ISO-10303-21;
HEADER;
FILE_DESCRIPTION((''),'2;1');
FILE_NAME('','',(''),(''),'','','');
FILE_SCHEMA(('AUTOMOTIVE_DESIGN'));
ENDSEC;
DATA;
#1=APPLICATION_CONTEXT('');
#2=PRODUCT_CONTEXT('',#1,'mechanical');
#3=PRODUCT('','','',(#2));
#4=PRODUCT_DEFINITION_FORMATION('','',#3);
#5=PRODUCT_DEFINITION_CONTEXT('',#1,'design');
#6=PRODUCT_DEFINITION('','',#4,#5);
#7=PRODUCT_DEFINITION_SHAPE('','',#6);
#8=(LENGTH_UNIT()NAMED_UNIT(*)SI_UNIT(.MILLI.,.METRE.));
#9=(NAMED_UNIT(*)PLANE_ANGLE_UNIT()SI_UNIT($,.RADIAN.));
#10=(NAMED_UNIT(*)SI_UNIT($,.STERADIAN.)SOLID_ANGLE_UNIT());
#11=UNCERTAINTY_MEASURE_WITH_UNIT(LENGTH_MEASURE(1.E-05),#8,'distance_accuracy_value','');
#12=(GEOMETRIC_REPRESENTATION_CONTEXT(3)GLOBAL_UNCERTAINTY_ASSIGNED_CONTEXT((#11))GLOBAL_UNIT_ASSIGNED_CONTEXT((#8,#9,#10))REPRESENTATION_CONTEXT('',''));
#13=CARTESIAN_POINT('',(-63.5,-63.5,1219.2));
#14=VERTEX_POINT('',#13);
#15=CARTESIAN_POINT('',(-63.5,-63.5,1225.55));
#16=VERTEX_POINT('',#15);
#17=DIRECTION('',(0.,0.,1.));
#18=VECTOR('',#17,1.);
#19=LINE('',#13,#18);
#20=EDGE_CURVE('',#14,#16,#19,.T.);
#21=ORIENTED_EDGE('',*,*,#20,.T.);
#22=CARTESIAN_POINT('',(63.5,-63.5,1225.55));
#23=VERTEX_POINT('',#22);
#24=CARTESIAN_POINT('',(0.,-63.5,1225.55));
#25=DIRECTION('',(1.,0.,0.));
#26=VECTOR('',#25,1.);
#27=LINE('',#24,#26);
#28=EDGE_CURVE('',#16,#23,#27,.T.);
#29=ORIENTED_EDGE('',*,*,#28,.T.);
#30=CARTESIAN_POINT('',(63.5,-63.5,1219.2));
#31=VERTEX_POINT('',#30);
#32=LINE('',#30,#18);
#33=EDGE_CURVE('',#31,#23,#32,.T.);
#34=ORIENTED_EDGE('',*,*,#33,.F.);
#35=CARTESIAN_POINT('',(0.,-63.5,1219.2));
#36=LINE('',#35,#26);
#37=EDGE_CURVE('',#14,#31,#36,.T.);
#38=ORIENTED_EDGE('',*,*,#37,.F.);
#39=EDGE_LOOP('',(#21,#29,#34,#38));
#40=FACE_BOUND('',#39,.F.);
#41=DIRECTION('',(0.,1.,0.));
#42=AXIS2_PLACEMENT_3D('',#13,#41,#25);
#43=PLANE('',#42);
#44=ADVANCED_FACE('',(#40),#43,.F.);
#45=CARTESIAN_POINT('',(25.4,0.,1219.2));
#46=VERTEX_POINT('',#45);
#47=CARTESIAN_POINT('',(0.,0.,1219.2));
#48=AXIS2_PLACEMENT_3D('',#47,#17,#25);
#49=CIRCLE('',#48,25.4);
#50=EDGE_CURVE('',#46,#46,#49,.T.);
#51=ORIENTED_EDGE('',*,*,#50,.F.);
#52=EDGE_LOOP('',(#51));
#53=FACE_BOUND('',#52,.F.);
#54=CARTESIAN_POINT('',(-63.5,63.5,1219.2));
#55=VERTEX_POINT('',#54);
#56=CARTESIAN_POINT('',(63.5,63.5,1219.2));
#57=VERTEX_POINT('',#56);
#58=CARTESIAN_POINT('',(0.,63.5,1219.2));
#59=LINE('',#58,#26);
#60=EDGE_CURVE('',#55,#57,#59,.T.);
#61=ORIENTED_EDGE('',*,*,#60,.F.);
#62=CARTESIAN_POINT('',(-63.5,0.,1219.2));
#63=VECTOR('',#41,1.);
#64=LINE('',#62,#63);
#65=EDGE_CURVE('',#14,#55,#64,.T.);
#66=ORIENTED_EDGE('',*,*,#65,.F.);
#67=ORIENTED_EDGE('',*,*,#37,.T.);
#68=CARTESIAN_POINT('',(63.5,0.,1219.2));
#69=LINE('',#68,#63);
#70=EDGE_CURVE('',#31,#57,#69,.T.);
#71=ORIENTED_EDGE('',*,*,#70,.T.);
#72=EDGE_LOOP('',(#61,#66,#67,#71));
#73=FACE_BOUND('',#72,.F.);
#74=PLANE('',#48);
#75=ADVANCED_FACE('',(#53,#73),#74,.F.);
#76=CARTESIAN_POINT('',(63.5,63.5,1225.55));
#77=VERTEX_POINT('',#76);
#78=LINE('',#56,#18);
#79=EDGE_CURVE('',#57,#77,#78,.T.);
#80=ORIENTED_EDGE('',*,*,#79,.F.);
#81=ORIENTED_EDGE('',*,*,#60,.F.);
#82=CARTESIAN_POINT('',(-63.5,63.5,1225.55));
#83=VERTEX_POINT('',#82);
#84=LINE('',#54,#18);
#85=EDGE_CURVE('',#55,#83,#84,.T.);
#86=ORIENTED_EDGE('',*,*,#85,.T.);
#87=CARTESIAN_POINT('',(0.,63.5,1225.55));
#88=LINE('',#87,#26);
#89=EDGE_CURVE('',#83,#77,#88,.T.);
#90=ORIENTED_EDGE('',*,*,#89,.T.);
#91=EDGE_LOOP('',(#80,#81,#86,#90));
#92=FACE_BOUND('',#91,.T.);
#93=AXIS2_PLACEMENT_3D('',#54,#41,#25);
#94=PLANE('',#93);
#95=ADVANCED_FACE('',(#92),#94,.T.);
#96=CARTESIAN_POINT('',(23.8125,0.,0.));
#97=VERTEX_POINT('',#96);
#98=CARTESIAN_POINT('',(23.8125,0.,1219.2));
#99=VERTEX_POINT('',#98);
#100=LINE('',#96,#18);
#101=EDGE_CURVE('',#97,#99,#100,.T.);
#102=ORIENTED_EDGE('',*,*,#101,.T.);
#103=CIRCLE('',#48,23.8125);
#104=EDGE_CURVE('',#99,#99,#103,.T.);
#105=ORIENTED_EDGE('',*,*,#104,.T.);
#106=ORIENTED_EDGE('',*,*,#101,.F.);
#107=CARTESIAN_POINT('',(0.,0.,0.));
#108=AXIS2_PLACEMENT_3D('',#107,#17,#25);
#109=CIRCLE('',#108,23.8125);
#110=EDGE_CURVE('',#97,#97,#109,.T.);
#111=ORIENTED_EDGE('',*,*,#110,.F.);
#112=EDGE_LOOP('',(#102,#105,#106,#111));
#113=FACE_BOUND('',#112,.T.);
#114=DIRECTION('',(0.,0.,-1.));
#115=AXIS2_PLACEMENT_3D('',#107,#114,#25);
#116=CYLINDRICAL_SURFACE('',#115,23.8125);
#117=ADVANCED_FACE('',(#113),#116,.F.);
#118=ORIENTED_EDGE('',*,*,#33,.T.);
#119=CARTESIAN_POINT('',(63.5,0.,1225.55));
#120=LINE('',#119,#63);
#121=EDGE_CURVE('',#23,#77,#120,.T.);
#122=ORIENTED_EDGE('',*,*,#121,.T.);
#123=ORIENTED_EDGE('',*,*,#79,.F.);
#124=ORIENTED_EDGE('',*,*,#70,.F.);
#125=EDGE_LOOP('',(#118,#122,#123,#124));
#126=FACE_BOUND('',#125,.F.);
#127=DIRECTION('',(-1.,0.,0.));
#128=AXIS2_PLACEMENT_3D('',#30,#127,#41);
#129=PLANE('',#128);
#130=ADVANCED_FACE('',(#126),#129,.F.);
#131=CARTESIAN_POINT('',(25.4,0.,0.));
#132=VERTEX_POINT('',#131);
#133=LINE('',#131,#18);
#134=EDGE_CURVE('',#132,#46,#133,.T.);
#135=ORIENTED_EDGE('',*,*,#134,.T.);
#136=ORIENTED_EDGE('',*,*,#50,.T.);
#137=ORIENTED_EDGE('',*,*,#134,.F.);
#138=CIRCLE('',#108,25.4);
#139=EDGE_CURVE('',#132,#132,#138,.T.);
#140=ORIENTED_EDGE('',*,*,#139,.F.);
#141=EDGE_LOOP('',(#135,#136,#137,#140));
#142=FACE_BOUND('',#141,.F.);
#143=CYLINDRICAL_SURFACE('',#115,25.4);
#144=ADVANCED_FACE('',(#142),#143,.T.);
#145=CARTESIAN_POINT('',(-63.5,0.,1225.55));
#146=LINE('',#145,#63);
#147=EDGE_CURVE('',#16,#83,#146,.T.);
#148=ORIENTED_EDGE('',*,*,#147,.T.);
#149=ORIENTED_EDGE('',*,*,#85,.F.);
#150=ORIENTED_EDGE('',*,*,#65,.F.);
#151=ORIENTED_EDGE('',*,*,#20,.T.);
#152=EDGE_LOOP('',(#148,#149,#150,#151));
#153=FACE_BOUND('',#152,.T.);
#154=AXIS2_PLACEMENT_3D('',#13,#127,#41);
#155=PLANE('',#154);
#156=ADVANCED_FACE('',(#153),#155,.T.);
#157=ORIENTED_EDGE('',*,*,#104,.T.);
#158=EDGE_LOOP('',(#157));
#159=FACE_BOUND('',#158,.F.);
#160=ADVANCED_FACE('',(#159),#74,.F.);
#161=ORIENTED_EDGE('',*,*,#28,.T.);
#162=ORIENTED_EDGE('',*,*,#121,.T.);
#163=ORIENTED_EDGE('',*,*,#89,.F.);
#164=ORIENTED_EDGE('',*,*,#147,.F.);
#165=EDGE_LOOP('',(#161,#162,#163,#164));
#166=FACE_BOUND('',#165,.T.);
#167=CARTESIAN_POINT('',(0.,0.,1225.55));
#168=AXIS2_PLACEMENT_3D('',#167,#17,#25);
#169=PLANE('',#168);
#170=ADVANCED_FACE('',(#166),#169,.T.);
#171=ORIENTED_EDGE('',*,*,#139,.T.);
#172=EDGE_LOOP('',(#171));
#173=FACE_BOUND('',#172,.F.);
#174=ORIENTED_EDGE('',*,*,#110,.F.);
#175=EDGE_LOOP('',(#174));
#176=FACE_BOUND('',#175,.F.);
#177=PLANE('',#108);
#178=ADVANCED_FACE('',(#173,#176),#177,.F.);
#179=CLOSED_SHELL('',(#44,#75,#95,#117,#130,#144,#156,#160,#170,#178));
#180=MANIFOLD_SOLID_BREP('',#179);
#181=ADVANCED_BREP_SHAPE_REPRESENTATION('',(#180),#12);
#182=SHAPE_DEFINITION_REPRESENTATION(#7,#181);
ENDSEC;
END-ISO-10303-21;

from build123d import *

# Parameters (mm, degrees)
F0_R     = 25.4
F0_R_2   = 23.8125
F1_DEPTH = 1219.2
F2_W     = 127
F2_H     = 127
F3_DEPTH = 6.35


with BuildPart() as f1:
    # F0 (on Top) → F1 (new body)
    with BuildSketch(Plane.XY):
        Circle(F0_R)
        Circle(F0_R_2, mode=Mode.SUBTRACT)
    extrude(amount=F1_DEPTH)

    # F2 (on face) → F3 (join)
    with BuildSketch(Plane.XY.offset(1219.2)):
        Rectangle(F2_W, F2_H)
    extrude(amount=F3_DEPTH)


solid = f1.part
